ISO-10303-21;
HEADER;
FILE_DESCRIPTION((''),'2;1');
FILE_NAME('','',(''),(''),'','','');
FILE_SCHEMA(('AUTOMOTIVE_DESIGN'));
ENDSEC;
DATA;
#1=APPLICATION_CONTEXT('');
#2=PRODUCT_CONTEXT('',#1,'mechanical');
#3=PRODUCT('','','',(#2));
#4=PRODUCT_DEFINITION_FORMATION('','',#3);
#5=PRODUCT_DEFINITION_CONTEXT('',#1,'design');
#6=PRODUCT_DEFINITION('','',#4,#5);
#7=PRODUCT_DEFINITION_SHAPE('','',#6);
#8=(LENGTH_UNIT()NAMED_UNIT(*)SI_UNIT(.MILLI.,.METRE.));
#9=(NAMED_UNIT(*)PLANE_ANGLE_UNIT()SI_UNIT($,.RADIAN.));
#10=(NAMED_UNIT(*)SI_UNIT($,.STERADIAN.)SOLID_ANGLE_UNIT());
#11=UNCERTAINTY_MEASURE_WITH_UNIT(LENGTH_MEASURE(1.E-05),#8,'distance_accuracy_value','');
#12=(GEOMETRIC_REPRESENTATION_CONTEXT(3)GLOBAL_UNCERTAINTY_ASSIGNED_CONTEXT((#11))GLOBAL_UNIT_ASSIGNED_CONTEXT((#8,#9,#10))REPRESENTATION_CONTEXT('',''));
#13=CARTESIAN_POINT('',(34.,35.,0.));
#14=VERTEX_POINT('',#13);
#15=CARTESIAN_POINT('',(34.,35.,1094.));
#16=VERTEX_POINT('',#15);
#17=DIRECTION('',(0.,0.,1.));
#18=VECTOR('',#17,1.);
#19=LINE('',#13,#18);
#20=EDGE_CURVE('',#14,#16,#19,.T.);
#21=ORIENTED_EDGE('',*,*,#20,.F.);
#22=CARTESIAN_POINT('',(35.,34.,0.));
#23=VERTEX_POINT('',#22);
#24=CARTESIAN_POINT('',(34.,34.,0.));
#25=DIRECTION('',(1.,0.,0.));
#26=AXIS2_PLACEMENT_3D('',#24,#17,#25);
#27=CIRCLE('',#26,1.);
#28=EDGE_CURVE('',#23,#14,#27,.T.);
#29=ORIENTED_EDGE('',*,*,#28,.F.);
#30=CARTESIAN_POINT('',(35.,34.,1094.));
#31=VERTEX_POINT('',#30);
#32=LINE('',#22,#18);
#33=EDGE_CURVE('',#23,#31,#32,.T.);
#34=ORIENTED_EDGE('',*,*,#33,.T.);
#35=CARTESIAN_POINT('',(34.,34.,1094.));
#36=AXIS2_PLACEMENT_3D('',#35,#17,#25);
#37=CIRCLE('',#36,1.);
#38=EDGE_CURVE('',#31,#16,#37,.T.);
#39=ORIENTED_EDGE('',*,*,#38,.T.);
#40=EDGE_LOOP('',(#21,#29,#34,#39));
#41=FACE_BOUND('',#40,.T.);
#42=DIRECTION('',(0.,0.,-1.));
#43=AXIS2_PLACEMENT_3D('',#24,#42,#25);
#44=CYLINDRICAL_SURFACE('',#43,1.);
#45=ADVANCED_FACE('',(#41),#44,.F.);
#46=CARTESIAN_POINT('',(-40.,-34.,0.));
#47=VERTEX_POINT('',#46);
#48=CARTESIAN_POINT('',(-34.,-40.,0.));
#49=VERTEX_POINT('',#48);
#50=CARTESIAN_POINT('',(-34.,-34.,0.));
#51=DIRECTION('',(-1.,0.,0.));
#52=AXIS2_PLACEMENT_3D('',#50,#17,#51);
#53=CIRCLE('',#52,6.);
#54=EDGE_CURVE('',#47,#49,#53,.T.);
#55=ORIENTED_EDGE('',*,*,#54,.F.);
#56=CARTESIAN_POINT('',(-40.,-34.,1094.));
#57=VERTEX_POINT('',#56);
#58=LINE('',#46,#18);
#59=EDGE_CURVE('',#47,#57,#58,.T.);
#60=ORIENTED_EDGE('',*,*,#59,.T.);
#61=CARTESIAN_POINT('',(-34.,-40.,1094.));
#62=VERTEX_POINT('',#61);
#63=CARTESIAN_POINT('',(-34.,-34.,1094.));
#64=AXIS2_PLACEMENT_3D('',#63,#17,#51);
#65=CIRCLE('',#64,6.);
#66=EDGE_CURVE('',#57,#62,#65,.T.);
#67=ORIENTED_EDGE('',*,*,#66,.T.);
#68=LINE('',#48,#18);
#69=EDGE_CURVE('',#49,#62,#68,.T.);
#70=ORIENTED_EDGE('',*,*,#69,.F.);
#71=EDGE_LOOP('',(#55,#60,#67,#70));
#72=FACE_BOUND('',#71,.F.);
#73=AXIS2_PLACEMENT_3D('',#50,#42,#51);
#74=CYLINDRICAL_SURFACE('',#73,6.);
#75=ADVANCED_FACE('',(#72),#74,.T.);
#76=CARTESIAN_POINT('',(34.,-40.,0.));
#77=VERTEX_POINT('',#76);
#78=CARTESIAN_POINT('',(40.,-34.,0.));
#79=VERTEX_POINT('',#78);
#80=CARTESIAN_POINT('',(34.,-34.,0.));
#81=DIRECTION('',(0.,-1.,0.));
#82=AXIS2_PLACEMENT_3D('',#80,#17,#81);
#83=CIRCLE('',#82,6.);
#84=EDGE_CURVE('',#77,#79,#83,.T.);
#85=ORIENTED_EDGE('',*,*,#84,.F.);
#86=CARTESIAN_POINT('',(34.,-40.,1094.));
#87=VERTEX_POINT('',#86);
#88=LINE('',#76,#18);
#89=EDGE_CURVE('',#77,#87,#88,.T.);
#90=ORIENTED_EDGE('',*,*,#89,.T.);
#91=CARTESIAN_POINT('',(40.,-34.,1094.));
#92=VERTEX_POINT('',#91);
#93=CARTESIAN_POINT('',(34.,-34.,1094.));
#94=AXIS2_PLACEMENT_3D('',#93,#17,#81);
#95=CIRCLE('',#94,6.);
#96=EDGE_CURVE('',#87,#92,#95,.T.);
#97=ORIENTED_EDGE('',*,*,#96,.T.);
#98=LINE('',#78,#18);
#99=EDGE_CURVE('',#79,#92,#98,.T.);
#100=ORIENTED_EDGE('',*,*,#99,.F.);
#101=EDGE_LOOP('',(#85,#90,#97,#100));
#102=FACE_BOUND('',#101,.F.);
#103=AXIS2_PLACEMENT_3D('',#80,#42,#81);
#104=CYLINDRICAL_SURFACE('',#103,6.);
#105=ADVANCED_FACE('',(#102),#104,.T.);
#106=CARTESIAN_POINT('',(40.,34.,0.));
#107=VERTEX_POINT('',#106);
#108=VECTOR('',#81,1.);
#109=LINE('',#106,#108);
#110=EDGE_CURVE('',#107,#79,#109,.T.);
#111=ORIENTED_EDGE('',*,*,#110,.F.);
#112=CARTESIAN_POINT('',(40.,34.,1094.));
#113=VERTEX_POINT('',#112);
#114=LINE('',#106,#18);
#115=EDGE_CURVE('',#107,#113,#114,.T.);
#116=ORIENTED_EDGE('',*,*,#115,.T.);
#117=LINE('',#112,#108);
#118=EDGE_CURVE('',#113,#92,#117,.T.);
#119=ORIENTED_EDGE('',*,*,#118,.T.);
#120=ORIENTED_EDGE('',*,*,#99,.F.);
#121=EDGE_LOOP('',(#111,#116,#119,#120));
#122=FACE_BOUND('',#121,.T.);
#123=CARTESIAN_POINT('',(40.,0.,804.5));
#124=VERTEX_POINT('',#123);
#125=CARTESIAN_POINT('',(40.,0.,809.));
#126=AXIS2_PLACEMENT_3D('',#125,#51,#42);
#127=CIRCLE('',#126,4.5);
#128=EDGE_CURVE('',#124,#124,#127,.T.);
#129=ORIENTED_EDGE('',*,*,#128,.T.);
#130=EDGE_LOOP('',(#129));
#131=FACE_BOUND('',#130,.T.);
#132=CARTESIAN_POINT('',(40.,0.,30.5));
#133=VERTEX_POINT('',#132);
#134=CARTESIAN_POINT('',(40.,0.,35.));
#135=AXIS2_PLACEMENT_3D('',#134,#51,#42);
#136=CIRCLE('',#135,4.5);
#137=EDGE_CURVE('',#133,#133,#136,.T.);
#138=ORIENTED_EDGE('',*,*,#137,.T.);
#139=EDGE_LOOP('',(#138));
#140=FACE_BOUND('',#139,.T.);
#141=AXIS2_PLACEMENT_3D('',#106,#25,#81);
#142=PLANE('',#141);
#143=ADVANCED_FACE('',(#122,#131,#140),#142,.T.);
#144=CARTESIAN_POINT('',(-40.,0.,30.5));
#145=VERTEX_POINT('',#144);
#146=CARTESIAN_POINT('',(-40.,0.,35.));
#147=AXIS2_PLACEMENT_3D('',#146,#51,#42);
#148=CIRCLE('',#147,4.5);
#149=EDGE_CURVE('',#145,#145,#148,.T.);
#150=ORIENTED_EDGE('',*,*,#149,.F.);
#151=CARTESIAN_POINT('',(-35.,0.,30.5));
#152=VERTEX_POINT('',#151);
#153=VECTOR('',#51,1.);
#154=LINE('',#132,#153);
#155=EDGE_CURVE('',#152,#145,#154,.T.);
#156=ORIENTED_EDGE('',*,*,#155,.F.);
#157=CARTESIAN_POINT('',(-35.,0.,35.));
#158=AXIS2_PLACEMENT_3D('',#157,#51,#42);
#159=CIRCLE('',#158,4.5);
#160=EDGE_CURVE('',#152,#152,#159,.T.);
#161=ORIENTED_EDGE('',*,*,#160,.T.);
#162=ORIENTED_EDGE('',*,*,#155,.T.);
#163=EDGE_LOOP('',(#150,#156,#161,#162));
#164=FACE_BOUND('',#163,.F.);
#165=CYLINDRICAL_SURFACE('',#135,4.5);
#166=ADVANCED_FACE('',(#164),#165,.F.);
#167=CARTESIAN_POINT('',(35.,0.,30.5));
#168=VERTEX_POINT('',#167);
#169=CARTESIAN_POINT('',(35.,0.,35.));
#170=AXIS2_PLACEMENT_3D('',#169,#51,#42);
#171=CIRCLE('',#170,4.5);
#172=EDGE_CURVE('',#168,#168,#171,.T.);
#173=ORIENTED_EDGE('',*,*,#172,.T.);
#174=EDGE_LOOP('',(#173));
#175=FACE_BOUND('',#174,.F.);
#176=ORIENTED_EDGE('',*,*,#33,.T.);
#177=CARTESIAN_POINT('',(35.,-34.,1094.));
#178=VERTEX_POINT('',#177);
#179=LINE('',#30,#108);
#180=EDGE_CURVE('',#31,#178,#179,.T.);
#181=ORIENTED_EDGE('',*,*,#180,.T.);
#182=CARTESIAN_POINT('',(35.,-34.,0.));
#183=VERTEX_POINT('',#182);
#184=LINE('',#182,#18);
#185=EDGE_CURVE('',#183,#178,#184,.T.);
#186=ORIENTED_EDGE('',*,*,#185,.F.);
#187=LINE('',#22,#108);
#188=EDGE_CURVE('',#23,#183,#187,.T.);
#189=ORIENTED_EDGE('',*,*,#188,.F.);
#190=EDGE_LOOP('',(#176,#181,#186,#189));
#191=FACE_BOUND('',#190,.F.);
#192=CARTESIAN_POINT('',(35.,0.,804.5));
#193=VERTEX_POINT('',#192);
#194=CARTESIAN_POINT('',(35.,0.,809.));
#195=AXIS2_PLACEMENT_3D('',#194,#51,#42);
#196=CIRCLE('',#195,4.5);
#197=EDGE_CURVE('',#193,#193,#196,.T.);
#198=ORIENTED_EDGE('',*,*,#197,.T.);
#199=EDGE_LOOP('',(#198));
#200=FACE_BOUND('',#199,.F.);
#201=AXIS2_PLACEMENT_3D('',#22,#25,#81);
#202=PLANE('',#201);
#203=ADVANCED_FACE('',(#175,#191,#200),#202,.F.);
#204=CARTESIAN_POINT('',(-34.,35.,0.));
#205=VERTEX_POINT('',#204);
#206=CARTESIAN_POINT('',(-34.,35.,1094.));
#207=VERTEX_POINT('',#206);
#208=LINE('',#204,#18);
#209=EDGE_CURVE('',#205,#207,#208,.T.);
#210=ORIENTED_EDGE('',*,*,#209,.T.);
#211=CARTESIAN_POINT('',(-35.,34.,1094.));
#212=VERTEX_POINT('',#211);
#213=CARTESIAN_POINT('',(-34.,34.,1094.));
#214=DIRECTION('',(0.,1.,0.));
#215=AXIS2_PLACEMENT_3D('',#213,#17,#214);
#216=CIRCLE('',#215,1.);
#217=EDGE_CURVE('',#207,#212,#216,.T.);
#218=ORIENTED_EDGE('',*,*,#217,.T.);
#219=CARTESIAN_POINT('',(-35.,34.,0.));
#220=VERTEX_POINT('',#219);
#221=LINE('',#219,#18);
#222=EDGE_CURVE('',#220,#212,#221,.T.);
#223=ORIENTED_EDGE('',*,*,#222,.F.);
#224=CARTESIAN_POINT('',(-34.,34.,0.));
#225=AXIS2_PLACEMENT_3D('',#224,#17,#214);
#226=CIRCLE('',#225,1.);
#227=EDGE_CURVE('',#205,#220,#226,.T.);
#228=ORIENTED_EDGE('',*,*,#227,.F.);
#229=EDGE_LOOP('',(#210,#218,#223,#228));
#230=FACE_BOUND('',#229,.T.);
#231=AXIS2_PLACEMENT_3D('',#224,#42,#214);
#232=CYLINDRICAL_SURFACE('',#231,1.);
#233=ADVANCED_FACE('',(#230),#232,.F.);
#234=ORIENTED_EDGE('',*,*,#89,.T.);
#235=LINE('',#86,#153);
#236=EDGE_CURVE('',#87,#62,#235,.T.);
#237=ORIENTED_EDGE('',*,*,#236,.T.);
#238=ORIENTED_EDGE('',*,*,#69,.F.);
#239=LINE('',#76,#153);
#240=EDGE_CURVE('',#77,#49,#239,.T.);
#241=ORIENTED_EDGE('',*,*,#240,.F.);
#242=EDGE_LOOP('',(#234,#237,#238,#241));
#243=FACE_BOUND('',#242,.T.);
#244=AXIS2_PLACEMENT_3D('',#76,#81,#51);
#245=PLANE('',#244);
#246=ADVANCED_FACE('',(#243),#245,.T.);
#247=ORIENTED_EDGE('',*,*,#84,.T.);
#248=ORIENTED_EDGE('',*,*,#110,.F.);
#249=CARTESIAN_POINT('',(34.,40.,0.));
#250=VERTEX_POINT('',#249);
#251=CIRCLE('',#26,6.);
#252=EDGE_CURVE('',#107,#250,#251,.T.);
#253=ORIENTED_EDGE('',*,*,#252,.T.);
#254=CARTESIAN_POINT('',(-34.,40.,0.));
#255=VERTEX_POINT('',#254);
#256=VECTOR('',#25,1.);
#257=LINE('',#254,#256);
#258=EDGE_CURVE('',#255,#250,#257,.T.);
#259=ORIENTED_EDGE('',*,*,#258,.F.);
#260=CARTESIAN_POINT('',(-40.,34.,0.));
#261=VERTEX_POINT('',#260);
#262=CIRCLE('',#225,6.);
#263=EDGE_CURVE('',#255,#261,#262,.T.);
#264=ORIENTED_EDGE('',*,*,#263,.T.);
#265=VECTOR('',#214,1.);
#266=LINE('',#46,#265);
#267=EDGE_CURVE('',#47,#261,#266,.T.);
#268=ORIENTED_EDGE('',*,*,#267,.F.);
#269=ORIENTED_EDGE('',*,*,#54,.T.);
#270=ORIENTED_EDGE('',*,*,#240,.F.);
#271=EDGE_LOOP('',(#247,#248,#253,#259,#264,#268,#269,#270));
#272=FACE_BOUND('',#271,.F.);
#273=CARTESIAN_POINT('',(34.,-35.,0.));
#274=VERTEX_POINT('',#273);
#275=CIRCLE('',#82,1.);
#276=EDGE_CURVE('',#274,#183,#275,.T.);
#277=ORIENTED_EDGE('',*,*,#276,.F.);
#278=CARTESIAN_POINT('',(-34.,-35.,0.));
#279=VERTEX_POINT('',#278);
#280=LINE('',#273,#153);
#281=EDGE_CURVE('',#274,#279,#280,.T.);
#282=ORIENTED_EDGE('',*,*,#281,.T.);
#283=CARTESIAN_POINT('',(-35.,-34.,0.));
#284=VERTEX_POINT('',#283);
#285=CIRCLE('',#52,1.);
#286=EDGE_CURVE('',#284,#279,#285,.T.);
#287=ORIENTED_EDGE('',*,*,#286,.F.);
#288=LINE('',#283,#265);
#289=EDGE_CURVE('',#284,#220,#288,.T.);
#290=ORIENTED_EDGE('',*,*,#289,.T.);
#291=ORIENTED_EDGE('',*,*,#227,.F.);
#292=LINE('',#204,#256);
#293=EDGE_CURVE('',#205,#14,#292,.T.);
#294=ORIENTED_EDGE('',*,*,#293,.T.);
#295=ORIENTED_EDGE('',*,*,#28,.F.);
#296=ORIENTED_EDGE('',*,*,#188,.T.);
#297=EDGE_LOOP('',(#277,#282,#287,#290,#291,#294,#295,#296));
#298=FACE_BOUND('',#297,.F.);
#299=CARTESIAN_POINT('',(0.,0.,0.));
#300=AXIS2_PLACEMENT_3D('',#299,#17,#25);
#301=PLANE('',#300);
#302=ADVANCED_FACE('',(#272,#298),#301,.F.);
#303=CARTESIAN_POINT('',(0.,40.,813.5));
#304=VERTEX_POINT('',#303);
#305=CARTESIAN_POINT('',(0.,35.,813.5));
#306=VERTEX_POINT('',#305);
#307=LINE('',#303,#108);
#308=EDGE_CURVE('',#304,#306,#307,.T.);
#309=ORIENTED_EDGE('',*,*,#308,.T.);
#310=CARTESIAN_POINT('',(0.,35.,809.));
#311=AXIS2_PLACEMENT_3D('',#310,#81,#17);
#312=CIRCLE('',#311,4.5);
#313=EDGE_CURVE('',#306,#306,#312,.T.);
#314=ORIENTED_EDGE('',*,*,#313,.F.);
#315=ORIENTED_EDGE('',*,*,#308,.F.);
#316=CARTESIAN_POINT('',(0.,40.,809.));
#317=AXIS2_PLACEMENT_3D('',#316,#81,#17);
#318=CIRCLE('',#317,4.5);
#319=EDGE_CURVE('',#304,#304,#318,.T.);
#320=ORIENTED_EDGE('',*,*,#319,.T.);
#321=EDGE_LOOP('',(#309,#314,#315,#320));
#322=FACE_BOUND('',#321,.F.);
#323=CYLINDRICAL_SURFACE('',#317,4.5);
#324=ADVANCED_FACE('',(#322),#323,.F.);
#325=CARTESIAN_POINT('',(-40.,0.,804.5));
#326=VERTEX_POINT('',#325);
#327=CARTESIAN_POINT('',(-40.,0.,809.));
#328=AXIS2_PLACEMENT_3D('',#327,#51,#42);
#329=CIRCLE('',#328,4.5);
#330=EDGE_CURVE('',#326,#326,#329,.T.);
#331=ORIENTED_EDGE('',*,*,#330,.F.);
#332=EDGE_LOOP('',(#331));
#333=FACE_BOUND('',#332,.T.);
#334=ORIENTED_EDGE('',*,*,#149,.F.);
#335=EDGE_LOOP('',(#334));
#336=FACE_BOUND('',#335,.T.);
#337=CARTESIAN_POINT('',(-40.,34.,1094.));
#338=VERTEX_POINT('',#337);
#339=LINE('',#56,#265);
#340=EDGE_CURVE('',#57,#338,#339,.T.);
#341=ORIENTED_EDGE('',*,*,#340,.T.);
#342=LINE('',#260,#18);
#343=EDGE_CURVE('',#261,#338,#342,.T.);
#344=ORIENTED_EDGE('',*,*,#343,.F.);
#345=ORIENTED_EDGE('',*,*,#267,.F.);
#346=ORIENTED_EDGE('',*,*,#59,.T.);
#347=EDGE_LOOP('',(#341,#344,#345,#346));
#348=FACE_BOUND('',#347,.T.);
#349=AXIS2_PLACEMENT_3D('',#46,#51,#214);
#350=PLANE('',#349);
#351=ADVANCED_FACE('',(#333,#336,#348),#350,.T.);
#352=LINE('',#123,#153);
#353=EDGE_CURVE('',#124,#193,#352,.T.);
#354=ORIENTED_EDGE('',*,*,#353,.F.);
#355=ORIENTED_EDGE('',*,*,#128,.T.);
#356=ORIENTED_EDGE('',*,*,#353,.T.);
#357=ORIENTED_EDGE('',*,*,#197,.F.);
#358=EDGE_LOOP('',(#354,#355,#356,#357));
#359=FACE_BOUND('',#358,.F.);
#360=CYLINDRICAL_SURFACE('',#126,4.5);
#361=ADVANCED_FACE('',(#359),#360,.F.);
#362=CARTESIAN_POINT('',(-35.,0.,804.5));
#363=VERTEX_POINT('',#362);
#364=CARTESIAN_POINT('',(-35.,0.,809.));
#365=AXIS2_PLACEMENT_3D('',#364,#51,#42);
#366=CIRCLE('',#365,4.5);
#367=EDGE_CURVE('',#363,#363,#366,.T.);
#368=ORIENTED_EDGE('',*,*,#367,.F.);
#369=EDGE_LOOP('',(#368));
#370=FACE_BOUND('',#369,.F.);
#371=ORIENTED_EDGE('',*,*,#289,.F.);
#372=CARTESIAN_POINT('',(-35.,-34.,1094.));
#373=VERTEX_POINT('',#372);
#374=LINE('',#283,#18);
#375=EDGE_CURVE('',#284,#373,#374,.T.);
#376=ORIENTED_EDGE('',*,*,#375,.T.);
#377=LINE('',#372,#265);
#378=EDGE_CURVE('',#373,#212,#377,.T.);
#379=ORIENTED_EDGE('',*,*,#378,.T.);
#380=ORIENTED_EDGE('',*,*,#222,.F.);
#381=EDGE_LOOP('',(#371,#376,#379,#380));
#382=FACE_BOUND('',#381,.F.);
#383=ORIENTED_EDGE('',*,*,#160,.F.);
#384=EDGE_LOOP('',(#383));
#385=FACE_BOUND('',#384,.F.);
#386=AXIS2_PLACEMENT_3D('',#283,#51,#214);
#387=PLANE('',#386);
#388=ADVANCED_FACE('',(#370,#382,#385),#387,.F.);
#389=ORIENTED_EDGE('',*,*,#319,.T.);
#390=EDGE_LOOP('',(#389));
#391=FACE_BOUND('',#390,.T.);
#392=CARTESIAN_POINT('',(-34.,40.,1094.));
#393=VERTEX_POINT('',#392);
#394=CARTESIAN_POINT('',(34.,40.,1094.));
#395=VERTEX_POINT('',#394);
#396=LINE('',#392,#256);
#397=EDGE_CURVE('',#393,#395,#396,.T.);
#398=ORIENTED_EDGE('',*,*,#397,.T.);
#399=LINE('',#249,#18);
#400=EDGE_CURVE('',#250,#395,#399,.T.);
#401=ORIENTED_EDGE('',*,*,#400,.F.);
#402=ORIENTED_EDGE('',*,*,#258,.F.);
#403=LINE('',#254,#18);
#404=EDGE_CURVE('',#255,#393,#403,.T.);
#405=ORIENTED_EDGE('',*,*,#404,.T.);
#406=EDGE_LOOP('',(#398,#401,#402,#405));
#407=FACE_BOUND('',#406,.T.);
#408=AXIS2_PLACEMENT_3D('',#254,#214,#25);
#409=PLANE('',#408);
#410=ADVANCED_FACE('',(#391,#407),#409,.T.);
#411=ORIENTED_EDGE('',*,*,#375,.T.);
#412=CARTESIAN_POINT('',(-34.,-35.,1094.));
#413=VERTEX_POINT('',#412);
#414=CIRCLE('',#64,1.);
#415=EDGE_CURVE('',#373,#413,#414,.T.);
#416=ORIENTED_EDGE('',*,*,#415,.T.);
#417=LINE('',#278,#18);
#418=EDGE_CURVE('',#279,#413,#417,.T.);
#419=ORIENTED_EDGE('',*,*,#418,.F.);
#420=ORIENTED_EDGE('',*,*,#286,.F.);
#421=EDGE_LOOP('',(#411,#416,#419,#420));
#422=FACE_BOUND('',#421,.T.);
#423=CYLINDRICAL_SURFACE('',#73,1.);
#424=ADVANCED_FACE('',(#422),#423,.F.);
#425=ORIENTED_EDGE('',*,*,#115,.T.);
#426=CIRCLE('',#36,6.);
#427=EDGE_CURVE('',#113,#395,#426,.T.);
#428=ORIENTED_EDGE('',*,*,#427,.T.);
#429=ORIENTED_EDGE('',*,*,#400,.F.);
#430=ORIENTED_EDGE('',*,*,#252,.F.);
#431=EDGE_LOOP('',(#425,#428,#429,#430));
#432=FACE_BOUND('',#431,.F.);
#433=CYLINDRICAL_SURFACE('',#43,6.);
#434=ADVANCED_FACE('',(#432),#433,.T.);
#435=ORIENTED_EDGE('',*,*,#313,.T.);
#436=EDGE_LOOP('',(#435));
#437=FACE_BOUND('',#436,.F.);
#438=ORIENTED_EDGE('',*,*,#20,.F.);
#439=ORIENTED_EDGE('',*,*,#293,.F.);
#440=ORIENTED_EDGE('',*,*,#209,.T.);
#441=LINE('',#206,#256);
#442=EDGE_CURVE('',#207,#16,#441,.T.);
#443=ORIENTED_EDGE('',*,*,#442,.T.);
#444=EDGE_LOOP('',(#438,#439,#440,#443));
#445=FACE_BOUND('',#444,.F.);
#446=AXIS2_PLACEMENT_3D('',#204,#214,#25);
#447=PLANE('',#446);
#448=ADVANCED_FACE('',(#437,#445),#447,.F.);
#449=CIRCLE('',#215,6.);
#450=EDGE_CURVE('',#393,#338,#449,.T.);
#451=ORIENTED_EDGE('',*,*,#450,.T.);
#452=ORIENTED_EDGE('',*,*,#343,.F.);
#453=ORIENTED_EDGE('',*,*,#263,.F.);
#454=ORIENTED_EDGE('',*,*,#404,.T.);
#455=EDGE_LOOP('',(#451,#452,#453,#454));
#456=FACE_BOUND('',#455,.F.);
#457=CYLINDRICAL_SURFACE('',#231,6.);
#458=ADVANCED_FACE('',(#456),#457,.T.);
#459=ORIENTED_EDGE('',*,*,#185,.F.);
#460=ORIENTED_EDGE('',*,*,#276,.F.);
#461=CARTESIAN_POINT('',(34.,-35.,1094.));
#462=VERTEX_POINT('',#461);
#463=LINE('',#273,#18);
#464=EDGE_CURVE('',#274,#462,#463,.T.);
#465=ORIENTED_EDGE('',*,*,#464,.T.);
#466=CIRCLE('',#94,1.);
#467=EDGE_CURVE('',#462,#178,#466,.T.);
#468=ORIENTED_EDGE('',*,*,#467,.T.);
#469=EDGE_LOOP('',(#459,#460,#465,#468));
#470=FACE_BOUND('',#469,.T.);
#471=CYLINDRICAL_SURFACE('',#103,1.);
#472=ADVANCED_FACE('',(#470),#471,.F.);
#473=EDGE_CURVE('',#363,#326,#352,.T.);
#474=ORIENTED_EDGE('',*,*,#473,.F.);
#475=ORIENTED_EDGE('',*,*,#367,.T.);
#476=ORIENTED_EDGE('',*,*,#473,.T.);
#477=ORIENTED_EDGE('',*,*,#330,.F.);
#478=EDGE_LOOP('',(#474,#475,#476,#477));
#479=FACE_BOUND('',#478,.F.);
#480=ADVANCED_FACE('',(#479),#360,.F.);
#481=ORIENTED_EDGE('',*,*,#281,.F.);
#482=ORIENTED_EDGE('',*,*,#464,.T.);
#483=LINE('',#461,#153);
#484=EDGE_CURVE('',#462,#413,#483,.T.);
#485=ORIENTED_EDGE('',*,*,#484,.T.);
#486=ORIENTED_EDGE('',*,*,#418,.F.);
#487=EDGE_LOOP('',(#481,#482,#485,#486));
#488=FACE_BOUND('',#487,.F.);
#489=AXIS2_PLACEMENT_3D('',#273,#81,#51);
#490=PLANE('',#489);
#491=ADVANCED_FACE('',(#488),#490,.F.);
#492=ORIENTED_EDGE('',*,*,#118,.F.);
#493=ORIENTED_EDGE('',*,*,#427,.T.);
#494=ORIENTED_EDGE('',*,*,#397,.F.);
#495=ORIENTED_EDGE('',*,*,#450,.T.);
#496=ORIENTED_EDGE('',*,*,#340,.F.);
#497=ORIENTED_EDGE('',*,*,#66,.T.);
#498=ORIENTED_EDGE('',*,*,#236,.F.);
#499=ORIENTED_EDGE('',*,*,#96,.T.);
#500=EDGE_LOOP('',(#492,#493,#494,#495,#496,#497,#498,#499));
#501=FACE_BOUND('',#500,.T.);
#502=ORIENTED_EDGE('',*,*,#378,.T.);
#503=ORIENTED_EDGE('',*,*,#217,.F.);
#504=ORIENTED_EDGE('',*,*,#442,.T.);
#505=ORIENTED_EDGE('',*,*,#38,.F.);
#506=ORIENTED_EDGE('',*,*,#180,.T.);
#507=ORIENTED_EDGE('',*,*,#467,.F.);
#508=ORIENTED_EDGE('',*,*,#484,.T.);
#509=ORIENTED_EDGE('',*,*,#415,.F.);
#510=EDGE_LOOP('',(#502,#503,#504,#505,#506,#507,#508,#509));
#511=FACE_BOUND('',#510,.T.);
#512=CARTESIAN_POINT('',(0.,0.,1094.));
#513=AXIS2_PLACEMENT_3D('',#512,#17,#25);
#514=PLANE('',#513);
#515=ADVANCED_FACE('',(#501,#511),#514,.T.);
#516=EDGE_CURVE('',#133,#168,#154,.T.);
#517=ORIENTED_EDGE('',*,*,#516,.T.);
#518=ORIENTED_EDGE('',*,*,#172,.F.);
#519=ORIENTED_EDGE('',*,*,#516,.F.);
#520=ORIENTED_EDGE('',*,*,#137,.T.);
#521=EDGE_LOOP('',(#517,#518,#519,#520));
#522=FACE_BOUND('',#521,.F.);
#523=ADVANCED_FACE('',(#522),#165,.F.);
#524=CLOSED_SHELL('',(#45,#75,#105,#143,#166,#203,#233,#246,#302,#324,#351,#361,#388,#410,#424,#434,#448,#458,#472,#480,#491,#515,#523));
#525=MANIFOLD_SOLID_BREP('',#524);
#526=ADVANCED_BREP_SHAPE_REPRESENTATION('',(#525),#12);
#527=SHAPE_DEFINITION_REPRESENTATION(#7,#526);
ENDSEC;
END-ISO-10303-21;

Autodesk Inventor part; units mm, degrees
ref_plane "YZ Plane" through (0, 0, 0) normal (1, 0, 0) x (0, 1, 0)
ref_plane "XZ Plane" through (0, 0, 0) normal (0, 1, 0) x (-1, 0, 0)
ref_plane "XY Plane" through (0, 0, 0) normal (0, 0, 1) x (1, 0, 0)
sketch "Sketch1" plane through (0, 0, 0) normal (0, 0, 1) x (1, 0, 0)
  line L0 (40, 34) -> (40, -34)
  line L1 (34, -40) -> (-34, -40)
  line L2 (-40, -34) -> (-40, 34)
  line L3 (-34, 40) -> (34, 40)
  arc A0 (-34, 40) -> (-40, 34) centre (-34, 34) ccw
  arc A1 (40, 34) -> (34, 40) centre (34, 34) ccw
  arc A2 (34, -40) -> (40, -34) centre (34, -34) ccw
  arc A3 (-40, -34) -> (-34, -40) centre (-34, -34) ccw
  arc A4 (-34, 35) -> (-35, 34) centre (-34, 34) ccw
  line L4 (-34, 35) -> (34, 35)
  arc A5 (35, 34) -> (34, 35) centre (34, 34) ccw
  line L5 (35, 34) -> (35, -34)
  arc A6 (34, -35) -> (35, -34) centre (34, -34) ccw
  line L6 (34, -35) -> (-34, -35)
  arc A7 (-35, -34) -> (-34, -35) centre (-34, -34) ccw
  line L7 (-35, -34) -> (-35, 34)
  point P0 (0, 0)
  point P1 (0, 0)
  point P2 (40, 40)
  point P3 (40, -40)
  point P4 (-40, -40)
  point P5 (-40, 40)
  dimension "d0" = 80
  dimension "d1" = 6
  dimension "d2" = 5
extrude "Extrusion1" add sketch "Sketch1" along normal blind 1094
sketch "Sketch2" plane through (40, -34, 0) normal (1, 0, 0) x (0, 0, -1)
  line L0 (0, 0) -> (-1094, 0) projected
  line L1 (0, 68) -> (0, 0) projected
  point P0 (-809, 34)
  point P1 (-35, 34)
  dimension "d5" = 809
  dimension "d6" = 34
  dimension "d15" = 35
hole "Hole1" at (40, 0, 809) at (40, 0, 35) direction (-1, 0, 0) diameter 9 end through all
sketch "Sketch3" plane through (-34, 40, 0) normal (0, 1, 0) x (1, 0, 0)
  line L0 (68, 0) -> (68, -1094) projected
  line L1 (0, 0) -> (68, 0) projected
  point P0 (34, -809)
  dimension "d16" = 34
  dimension "d17" = 809
hole "Hole2" at (0, 40, 809) direction (0, -1, 0) diameter 9 depth 8 tip angle 118
equation "\"d17\" = d5"
properties part number "3136 1094 48" material "Steel, Mild"
